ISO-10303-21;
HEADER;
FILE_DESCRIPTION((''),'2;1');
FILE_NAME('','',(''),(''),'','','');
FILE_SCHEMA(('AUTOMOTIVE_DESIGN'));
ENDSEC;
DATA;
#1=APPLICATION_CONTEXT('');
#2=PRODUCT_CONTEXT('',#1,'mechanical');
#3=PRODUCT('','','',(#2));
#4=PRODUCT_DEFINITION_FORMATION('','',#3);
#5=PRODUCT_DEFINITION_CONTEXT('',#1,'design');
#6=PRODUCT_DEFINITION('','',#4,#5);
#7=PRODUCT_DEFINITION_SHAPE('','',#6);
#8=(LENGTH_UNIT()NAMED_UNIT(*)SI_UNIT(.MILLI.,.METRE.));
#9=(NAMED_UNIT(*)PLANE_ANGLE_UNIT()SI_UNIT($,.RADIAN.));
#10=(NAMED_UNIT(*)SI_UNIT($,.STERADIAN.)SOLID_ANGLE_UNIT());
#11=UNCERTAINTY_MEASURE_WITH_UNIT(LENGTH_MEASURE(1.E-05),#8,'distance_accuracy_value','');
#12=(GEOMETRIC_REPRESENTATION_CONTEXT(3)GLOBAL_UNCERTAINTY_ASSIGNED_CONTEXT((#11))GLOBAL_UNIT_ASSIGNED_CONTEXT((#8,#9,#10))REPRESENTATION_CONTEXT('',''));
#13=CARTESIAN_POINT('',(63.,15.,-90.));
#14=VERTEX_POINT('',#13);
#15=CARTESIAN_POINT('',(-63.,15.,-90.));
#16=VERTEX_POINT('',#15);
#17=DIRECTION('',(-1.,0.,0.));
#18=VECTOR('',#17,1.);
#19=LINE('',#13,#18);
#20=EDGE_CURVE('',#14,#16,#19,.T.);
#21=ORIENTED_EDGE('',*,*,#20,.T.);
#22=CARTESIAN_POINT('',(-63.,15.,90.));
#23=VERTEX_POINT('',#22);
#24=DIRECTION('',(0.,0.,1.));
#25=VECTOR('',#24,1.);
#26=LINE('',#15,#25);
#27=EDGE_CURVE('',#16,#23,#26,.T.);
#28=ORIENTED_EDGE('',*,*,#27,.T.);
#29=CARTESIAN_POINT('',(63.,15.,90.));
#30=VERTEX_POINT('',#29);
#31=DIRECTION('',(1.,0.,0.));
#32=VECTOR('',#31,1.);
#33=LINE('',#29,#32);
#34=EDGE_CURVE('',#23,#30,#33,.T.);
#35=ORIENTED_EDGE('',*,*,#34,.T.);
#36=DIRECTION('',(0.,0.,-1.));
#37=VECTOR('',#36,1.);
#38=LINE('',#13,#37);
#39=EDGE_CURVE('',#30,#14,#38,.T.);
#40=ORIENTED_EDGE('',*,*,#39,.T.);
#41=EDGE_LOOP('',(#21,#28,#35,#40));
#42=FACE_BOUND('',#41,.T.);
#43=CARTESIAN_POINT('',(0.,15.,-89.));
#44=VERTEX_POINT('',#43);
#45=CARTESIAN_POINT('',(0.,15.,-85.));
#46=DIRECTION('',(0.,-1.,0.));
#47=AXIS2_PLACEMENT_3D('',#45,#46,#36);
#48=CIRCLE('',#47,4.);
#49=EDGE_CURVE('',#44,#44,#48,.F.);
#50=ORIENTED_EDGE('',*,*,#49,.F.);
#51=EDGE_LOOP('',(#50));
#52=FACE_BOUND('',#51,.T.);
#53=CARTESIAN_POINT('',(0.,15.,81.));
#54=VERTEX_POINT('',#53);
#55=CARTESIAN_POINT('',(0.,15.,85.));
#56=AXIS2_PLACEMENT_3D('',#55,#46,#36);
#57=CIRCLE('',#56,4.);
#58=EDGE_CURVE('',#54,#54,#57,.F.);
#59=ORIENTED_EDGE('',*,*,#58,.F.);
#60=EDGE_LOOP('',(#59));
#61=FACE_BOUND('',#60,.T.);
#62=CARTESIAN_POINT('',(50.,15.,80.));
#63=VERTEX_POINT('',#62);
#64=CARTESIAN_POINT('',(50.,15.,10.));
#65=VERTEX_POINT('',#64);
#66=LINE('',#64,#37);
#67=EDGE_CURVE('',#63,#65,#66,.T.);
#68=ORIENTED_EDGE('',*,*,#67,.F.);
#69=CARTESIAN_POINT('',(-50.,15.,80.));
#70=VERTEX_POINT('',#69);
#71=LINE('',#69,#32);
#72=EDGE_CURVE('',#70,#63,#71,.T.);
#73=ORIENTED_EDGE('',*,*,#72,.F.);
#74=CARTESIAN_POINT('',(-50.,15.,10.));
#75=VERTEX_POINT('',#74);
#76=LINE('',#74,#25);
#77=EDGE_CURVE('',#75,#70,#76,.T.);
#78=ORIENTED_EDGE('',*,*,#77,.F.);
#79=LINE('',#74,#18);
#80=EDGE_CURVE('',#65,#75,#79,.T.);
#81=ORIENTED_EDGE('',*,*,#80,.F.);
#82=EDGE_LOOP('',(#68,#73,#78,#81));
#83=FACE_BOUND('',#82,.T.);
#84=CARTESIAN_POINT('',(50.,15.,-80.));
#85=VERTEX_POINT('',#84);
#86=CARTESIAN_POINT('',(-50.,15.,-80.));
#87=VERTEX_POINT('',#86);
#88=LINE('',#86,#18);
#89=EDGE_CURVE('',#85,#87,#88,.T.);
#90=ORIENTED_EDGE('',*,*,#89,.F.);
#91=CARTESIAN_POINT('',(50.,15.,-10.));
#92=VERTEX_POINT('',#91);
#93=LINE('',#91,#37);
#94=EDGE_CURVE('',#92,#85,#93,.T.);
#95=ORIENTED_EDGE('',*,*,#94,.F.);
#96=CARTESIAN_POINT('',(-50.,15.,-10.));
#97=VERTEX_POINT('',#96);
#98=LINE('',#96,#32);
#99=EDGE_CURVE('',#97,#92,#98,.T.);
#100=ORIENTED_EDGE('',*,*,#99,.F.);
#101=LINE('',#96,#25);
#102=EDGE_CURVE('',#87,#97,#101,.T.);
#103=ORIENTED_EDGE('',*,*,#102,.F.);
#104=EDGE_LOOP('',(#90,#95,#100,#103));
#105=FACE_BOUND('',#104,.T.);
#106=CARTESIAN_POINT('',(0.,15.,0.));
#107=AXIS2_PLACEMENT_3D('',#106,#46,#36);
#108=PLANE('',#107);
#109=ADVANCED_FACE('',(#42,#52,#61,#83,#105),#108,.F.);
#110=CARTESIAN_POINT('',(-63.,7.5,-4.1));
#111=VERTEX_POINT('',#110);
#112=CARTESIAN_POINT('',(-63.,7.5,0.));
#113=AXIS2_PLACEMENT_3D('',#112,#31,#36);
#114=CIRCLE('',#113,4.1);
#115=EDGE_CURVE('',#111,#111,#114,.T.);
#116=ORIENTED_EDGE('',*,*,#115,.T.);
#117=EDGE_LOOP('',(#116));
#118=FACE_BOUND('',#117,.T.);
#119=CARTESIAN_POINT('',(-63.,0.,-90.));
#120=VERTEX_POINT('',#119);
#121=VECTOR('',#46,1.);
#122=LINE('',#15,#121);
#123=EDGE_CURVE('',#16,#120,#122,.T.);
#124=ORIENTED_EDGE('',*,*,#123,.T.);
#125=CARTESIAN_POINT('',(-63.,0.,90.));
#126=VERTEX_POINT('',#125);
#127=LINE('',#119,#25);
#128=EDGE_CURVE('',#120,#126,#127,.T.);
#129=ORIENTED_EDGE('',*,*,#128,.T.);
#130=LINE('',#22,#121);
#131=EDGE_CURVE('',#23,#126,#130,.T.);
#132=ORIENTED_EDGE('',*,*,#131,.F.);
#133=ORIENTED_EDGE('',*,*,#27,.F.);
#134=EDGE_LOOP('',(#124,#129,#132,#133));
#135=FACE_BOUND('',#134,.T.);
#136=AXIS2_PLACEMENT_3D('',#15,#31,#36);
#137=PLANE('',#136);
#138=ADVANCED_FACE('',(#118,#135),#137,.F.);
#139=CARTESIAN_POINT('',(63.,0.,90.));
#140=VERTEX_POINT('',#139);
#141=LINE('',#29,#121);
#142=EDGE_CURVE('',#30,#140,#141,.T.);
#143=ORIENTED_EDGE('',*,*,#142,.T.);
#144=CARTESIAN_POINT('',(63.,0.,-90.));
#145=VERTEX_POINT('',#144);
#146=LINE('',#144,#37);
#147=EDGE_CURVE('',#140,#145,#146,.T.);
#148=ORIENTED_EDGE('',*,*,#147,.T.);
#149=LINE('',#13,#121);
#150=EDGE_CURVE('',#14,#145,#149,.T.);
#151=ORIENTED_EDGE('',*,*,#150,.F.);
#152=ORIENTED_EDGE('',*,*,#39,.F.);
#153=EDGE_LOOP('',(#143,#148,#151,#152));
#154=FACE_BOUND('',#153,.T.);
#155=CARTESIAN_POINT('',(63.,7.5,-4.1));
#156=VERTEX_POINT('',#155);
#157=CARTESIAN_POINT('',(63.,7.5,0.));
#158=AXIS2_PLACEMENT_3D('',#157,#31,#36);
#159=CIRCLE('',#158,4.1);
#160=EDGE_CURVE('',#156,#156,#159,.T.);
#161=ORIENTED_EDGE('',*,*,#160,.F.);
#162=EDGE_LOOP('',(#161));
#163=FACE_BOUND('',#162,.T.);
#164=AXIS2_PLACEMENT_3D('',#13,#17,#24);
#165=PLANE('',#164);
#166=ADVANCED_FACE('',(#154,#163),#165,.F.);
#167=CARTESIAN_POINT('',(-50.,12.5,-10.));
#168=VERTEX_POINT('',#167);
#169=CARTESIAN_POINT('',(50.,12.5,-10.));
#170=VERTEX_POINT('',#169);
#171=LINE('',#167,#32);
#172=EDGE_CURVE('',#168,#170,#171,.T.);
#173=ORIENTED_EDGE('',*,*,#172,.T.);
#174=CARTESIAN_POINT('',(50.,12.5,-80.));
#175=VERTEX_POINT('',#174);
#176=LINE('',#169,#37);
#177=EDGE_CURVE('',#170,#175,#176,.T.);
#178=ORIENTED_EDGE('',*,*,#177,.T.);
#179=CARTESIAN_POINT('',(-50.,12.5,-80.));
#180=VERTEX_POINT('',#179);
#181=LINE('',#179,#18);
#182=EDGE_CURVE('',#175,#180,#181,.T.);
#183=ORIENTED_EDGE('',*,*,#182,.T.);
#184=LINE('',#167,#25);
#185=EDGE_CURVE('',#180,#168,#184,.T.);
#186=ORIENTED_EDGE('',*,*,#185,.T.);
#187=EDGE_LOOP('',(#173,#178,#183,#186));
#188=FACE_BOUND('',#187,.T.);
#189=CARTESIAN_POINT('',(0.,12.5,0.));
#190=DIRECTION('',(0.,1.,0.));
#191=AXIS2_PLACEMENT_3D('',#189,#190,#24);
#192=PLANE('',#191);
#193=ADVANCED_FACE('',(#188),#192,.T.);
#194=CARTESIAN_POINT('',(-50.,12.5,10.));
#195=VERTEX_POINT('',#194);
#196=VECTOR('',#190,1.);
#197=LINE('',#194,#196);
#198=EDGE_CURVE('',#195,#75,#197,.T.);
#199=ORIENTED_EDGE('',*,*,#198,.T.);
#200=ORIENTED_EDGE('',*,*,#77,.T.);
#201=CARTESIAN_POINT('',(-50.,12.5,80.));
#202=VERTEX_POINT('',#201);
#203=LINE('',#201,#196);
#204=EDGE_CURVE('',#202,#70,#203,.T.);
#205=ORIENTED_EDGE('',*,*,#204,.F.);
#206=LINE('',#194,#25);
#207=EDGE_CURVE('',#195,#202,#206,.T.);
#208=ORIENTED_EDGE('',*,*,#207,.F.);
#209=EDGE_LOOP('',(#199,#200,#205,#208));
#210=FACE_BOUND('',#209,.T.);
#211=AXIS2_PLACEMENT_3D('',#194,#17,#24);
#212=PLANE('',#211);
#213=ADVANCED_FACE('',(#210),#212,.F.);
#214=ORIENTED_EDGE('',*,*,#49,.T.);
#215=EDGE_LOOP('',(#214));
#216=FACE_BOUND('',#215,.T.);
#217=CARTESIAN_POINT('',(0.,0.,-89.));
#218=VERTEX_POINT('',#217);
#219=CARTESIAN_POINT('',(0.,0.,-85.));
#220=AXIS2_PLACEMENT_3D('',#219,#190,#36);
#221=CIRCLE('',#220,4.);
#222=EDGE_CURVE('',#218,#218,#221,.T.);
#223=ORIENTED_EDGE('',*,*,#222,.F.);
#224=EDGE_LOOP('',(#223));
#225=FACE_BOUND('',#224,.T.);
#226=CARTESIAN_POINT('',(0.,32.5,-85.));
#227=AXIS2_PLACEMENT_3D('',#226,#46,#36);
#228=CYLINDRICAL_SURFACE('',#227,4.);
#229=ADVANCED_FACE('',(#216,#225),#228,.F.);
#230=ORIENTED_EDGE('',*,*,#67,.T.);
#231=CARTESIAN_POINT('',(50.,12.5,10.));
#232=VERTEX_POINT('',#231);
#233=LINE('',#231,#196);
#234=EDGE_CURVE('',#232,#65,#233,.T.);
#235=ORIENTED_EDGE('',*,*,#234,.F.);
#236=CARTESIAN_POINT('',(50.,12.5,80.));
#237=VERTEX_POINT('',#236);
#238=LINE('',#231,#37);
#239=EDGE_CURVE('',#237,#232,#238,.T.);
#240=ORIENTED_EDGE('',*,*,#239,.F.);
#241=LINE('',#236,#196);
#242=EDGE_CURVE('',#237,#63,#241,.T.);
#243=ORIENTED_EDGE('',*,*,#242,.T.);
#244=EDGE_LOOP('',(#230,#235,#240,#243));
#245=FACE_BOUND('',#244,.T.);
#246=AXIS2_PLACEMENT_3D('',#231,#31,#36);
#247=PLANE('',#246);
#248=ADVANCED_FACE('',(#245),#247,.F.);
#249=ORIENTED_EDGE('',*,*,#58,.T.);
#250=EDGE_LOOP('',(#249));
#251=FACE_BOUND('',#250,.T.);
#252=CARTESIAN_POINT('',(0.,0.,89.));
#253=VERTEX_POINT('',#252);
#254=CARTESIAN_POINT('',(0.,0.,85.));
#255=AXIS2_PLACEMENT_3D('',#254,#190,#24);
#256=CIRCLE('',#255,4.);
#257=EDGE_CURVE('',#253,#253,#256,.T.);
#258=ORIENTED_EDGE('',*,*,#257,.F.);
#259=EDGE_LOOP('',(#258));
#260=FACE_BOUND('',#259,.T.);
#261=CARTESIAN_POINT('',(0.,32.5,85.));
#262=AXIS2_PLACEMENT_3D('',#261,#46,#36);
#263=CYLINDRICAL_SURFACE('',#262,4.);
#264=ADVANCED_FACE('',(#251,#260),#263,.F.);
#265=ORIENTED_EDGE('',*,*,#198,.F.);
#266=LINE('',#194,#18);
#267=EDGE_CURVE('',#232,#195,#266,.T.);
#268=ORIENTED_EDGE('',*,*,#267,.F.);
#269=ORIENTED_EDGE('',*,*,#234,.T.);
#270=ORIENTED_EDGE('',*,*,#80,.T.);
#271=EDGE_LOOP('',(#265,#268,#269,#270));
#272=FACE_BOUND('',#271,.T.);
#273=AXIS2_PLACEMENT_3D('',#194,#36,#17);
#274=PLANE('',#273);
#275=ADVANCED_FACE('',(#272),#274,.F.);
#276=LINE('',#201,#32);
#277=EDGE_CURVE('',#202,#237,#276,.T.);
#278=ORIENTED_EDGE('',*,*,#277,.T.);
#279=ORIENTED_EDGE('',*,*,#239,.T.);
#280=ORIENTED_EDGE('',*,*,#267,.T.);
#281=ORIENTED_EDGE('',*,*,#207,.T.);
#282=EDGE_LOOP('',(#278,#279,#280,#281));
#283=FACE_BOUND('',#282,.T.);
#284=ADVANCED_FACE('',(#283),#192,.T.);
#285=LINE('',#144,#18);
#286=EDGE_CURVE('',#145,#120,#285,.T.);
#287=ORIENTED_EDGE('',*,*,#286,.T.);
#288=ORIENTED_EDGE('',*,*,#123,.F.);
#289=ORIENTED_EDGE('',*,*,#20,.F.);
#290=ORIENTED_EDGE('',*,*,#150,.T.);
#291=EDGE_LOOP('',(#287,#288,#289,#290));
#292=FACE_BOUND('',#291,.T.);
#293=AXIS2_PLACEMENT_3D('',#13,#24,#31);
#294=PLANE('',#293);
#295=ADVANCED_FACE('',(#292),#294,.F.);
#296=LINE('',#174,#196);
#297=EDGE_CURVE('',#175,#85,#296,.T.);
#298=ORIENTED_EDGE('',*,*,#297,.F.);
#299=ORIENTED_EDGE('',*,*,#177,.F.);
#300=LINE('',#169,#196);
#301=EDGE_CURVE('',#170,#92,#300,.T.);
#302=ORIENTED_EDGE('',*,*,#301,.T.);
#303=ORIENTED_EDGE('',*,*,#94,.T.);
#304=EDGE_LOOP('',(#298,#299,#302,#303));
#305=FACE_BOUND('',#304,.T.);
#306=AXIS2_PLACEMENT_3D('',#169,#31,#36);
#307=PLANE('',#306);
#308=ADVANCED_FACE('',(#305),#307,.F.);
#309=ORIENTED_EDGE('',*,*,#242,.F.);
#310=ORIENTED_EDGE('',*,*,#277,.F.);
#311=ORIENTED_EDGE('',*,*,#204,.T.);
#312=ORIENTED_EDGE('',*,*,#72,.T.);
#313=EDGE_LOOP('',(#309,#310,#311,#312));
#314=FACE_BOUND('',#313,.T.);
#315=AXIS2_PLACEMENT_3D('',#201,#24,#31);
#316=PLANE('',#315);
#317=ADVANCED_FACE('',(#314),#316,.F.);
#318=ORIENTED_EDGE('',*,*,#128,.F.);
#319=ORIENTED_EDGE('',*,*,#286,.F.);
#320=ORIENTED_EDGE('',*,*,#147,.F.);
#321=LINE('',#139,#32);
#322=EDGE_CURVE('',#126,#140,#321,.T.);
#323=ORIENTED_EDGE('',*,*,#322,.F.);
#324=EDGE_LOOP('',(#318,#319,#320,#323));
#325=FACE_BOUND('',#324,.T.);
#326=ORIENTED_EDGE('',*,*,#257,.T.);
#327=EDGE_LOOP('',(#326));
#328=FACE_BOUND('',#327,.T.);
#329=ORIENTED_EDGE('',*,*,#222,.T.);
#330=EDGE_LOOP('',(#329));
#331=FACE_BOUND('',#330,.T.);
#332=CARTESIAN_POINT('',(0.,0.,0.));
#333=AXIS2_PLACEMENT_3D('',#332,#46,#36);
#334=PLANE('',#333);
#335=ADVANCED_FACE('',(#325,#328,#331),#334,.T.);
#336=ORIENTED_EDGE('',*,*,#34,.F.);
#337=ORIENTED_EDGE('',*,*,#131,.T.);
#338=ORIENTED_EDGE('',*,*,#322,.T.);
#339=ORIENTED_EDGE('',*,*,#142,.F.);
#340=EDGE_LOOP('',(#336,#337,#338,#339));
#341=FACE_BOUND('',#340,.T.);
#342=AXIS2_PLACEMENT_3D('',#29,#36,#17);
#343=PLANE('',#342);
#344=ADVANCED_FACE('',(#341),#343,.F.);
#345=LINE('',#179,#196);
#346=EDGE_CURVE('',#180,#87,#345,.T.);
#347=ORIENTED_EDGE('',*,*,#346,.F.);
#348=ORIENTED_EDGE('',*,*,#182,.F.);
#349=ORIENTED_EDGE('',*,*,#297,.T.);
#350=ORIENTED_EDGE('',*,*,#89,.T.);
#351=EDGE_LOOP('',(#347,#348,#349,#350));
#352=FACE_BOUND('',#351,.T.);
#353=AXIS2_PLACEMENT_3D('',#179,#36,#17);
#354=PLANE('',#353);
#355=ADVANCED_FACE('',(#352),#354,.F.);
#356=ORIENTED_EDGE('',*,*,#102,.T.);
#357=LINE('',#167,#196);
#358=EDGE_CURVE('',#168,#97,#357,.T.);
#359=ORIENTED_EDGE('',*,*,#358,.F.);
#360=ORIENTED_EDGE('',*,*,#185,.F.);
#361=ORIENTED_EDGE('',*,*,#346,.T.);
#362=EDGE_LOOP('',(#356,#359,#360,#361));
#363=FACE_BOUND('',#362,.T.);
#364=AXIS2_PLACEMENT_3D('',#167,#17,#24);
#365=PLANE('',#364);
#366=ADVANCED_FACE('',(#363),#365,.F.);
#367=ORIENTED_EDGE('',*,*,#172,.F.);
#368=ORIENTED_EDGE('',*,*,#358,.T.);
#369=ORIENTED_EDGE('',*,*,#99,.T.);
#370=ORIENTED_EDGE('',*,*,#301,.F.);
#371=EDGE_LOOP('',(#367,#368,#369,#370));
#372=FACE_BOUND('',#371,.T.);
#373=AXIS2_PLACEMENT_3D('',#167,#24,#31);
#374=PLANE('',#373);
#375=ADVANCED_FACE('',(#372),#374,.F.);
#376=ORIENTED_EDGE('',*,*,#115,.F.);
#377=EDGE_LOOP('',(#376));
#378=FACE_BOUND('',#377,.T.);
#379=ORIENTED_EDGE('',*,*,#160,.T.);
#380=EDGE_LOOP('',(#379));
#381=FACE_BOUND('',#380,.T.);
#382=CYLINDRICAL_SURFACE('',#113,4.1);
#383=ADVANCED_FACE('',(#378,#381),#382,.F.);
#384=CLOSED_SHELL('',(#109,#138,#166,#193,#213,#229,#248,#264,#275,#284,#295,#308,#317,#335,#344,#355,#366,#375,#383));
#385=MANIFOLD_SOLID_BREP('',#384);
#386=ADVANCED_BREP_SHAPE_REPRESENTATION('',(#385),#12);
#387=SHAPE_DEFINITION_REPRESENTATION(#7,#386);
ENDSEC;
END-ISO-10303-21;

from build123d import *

# Parameters (mm, degrees)
SKETCH1_W               = 126
SKETCH1_H               = 180
BOSS_EXTRUDE1_DEPTH     = 15
SKETCH2_W               = 100
SKETCH2_H               = 70
CUT_EXTRUDE1_DEPTH      = 2.5
SKETCH4_R               = 4
CUT_EXTRUDE3_DEPTH      = 32.5
SKETCH5_R               = 4.1
CUT_EXTRUDE4_DEPTH      = 64
CUT_EXTRUDE4_DEPTH_BACK = 64


with BuildPart() as part:
    # Sketch1 → Boss-Extrude1 (new body)
    with BuildSketch(Plane(origin=(0, 0, 0), x_dir=(1, 0, 0), z_dir=(0, 1, 0))):
        Rectangle(SKETCH1_W, SKETCH1_H)
    extrude(amount=BOSS_EXTRUDE1_DEPTH)

    # Sketch2 → Cut-Extrude1 (cut)
    with BuildSketch(Plane(origin=(0, 15, 0), x_dir=(1, 0, 0), z_dir=(0, 1, 0))):
        with Locations((0, -45)):
            Rectangle(SKETCH2_W, SKETCH2_H)
        with Locations((0, 45)):
            Rectangle(SKETCH2_W, SKETCH2_H)
    extrude(amount=-CUT_EXTRUDE1_DEPTH, mode=Mode.SUBTRACT)

    # Sketch4 → Cut-Extrude3 (cut)
    with BuildSketch(Plane(origin=(0, 0, 0), x_dir=(1, 0, 0), z_dir=(0, 1, 0))):
        with Locations((0, -85)):
            Circle(SKETCH4_R)
        with Locations((0, 85)):
            Circle(SKETCH4_R)
    extrude(amount=CUT_EXTRUDE3_DEPTH, mode=Mode.SUBTRACT)

    # Sketch5 → Cut-Extrude4 (cut, two sides)
    with BuildSketch(Plane(origin=(0, 0, 0), x_dir=(0, 0, -1), z_dir=(1, 0, 0))) as cut_extrude4_sk:
        with Locations((0, 7.5)):
            Circle(SKETCH5_R)
    extrude(amount=CUT_EXTRUDE4_DEPTH, mode=Mode.SUBTRACT)
    extrude(cut_extrude4_sk.sketch, amount=-CUT_EXTRUDE4_DEPTH_BACK, mode=Mode.SUBTRACT)


solid = part.part
